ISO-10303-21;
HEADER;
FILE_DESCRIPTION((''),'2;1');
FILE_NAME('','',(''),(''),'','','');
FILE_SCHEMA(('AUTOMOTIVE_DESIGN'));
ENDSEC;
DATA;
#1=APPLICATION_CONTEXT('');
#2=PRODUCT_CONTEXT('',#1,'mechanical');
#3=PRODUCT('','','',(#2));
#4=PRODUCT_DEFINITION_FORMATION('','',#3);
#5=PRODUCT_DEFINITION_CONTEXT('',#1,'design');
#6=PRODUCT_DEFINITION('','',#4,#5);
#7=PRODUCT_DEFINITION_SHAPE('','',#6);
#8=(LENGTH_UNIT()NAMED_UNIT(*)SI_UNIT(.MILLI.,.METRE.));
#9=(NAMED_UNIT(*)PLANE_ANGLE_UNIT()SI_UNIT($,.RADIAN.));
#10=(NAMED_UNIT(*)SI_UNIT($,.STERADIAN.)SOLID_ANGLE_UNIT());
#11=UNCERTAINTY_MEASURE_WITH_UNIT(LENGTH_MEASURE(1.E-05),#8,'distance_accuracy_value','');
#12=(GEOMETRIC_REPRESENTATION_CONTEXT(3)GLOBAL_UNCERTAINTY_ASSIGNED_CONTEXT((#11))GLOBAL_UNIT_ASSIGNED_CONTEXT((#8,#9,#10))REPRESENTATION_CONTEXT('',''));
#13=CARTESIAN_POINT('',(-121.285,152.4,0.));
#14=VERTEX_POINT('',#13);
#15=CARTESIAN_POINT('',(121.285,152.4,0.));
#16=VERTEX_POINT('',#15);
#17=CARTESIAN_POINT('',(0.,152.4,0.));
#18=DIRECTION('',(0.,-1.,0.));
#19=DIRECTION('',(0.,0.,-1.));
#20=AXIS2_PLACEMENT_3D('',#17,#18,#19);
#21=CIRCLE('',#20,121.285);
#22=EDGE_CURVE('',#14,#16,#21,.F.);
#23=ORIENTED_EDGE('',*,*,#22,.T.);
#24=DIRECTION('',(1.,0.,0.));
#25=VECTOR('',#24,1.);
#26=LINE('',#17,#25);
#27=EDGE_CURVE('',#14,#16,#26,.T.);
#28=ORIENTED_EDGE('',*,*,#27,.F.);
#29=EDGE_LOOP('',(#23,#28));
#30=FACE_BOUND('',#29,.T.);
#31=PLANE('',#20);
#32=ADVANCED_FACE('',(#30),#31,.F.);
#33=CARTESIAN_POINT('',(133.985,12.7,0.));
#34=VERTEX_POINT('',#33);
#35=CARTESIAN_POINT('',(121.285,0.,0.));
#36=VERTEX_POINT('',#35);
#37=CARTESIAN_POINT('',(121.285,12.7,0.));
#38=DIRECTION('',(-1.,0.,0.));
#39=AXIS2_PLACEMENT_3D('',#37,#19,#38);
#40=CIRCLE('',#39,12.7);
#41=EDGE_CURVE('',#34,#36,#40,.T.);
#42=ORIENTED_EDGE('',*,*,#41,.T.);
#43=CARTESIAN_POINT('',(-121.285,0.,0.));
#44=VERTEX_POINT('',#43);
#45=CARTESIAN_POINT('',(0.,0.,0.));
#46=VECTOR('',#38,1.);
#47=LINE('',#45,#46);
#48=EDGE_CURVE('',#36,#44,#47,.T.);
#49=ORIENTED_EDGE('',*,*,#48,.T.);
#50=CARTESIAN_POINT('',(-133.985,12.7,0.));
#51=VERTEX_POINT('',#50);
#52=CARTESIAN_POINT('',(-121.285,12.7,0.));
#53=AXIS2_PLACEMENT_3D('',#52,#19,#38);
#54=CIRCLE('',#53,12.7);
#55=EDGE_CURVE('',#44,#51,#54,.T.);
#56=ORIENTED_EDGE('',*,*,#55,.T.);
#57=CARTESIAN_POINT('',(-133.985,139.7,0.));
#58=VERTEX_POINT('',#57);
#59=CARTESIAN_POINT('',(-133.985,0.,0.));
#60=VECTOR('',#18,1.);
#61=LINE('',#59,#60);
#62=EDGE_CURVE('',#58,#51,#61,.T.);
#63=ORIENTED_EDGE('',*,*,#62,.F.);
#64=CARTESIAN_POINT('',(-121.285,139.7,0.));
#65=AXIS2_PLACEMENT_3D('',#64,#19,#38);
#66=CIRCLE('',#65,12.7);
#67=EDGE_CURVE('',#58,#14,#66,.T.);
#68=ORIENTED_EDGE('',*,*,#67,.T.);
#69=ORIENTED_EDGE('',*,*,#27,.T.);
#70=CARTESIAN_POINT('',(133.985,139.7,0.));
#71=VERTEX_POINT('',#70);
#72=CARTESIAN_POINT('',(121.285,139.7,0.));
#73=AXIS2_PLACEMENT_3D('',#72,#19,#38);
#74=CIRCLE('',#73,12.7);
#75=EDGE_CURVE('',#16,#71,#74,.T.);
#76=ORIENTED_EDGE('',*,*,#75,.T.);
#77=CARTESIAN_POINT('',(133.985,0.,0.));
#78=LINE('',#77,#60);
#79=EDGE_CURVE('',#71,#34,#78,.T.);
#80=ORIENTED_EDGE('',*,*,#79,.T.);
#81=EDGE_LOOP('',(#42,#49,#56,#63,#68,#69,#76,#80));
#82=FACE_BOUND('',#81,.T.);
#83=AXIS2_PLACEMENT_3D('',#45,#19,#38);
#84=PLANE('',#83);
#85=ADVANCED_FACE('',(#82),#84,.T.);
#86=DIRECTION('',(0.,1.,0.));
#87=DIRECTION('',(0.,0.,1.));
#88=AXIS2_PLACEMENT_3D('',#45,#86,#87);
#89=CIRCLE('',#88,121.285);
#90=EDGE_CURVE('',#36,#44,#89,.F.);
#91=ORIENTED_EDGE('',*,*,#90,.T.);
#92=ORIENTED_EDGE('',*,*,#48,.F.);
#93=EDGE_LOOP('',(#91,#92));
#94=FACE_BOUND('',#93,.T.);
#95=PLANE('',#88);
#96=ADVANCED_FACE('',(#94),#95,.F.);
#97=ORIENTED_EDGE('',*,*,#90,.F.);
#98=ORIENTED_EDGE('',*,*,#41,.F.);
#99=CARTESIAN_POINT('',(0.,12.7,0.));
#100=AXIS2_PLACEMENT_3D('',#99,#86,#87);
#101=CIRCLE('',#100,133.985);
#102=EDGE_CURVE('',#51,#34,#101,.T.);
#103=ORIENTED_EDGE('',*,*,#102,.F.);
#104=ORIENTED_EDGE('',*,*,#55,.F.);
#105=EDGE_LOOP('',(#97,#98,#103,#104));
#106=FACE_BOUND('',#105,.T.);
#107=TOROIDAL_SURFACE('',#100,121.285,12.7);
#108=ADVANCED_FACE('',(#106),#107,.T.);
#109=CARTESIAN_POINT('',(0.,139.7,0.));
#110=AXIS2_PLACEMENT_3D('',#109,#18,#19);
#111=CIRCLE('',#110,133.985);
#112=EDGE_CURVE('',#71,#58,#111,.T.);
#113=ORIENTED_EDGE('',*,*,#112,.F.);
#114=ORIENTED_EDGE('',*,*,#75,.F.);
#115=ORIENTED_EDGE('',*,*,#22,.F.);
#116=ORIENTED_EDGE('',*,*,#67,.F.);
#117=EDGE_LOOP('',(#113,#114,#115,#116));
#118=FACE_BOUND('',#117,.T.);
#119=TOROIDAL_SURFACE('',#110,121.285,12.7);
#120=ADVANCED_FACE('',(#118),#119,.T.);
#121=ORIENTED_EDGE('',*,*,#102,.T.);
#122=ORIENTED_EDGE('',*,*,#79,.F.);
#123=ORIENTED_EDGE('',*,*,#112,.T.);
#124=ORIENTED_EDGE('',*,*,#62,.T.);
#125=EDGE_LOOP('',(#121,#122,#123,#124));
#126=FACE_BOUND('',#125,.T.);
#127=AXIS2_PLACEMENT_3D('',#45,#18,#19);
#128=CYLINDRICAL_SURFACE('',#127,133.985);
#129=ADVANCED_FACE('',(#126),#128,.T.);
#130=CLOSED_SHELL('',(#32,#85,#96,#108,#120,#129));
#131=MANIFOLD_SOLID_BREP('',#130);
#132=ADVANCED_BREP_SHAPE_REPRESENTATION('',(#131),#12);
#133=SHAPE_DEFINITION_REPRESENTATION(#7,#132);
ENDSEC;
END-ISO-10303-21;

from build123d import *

# Parameters (mm, degrees)
SKETCH1_W      = 133.985
SKETCH1_H      = 152.4
REVOLVE1_ANGLE = 180
FILLET1_R      = 12.7


with BuildPart() as part:
    # Sketch1 → Revolve1 (revolve)
    with BuildSketch(Plane.XY):
        with Locations((-66.9925, 76.2)):
            Rectangle(SKETCH1_W, SKETCH1_H)
    revolve(axis=Axis((0, 0, 0), (0, 1, 0)), revolution_arc=REVOLVE1_ANGLE)

    # Fillet1
    fillet1_edges = [part.edges().sort_by_distance(p)[0] for p in [
        (0, 0, 133.985),
        (0, 152.4, 133.985),
    ]]
    fillet(fillet1_edges, radius=FILLET1_R)


solid = part.part
